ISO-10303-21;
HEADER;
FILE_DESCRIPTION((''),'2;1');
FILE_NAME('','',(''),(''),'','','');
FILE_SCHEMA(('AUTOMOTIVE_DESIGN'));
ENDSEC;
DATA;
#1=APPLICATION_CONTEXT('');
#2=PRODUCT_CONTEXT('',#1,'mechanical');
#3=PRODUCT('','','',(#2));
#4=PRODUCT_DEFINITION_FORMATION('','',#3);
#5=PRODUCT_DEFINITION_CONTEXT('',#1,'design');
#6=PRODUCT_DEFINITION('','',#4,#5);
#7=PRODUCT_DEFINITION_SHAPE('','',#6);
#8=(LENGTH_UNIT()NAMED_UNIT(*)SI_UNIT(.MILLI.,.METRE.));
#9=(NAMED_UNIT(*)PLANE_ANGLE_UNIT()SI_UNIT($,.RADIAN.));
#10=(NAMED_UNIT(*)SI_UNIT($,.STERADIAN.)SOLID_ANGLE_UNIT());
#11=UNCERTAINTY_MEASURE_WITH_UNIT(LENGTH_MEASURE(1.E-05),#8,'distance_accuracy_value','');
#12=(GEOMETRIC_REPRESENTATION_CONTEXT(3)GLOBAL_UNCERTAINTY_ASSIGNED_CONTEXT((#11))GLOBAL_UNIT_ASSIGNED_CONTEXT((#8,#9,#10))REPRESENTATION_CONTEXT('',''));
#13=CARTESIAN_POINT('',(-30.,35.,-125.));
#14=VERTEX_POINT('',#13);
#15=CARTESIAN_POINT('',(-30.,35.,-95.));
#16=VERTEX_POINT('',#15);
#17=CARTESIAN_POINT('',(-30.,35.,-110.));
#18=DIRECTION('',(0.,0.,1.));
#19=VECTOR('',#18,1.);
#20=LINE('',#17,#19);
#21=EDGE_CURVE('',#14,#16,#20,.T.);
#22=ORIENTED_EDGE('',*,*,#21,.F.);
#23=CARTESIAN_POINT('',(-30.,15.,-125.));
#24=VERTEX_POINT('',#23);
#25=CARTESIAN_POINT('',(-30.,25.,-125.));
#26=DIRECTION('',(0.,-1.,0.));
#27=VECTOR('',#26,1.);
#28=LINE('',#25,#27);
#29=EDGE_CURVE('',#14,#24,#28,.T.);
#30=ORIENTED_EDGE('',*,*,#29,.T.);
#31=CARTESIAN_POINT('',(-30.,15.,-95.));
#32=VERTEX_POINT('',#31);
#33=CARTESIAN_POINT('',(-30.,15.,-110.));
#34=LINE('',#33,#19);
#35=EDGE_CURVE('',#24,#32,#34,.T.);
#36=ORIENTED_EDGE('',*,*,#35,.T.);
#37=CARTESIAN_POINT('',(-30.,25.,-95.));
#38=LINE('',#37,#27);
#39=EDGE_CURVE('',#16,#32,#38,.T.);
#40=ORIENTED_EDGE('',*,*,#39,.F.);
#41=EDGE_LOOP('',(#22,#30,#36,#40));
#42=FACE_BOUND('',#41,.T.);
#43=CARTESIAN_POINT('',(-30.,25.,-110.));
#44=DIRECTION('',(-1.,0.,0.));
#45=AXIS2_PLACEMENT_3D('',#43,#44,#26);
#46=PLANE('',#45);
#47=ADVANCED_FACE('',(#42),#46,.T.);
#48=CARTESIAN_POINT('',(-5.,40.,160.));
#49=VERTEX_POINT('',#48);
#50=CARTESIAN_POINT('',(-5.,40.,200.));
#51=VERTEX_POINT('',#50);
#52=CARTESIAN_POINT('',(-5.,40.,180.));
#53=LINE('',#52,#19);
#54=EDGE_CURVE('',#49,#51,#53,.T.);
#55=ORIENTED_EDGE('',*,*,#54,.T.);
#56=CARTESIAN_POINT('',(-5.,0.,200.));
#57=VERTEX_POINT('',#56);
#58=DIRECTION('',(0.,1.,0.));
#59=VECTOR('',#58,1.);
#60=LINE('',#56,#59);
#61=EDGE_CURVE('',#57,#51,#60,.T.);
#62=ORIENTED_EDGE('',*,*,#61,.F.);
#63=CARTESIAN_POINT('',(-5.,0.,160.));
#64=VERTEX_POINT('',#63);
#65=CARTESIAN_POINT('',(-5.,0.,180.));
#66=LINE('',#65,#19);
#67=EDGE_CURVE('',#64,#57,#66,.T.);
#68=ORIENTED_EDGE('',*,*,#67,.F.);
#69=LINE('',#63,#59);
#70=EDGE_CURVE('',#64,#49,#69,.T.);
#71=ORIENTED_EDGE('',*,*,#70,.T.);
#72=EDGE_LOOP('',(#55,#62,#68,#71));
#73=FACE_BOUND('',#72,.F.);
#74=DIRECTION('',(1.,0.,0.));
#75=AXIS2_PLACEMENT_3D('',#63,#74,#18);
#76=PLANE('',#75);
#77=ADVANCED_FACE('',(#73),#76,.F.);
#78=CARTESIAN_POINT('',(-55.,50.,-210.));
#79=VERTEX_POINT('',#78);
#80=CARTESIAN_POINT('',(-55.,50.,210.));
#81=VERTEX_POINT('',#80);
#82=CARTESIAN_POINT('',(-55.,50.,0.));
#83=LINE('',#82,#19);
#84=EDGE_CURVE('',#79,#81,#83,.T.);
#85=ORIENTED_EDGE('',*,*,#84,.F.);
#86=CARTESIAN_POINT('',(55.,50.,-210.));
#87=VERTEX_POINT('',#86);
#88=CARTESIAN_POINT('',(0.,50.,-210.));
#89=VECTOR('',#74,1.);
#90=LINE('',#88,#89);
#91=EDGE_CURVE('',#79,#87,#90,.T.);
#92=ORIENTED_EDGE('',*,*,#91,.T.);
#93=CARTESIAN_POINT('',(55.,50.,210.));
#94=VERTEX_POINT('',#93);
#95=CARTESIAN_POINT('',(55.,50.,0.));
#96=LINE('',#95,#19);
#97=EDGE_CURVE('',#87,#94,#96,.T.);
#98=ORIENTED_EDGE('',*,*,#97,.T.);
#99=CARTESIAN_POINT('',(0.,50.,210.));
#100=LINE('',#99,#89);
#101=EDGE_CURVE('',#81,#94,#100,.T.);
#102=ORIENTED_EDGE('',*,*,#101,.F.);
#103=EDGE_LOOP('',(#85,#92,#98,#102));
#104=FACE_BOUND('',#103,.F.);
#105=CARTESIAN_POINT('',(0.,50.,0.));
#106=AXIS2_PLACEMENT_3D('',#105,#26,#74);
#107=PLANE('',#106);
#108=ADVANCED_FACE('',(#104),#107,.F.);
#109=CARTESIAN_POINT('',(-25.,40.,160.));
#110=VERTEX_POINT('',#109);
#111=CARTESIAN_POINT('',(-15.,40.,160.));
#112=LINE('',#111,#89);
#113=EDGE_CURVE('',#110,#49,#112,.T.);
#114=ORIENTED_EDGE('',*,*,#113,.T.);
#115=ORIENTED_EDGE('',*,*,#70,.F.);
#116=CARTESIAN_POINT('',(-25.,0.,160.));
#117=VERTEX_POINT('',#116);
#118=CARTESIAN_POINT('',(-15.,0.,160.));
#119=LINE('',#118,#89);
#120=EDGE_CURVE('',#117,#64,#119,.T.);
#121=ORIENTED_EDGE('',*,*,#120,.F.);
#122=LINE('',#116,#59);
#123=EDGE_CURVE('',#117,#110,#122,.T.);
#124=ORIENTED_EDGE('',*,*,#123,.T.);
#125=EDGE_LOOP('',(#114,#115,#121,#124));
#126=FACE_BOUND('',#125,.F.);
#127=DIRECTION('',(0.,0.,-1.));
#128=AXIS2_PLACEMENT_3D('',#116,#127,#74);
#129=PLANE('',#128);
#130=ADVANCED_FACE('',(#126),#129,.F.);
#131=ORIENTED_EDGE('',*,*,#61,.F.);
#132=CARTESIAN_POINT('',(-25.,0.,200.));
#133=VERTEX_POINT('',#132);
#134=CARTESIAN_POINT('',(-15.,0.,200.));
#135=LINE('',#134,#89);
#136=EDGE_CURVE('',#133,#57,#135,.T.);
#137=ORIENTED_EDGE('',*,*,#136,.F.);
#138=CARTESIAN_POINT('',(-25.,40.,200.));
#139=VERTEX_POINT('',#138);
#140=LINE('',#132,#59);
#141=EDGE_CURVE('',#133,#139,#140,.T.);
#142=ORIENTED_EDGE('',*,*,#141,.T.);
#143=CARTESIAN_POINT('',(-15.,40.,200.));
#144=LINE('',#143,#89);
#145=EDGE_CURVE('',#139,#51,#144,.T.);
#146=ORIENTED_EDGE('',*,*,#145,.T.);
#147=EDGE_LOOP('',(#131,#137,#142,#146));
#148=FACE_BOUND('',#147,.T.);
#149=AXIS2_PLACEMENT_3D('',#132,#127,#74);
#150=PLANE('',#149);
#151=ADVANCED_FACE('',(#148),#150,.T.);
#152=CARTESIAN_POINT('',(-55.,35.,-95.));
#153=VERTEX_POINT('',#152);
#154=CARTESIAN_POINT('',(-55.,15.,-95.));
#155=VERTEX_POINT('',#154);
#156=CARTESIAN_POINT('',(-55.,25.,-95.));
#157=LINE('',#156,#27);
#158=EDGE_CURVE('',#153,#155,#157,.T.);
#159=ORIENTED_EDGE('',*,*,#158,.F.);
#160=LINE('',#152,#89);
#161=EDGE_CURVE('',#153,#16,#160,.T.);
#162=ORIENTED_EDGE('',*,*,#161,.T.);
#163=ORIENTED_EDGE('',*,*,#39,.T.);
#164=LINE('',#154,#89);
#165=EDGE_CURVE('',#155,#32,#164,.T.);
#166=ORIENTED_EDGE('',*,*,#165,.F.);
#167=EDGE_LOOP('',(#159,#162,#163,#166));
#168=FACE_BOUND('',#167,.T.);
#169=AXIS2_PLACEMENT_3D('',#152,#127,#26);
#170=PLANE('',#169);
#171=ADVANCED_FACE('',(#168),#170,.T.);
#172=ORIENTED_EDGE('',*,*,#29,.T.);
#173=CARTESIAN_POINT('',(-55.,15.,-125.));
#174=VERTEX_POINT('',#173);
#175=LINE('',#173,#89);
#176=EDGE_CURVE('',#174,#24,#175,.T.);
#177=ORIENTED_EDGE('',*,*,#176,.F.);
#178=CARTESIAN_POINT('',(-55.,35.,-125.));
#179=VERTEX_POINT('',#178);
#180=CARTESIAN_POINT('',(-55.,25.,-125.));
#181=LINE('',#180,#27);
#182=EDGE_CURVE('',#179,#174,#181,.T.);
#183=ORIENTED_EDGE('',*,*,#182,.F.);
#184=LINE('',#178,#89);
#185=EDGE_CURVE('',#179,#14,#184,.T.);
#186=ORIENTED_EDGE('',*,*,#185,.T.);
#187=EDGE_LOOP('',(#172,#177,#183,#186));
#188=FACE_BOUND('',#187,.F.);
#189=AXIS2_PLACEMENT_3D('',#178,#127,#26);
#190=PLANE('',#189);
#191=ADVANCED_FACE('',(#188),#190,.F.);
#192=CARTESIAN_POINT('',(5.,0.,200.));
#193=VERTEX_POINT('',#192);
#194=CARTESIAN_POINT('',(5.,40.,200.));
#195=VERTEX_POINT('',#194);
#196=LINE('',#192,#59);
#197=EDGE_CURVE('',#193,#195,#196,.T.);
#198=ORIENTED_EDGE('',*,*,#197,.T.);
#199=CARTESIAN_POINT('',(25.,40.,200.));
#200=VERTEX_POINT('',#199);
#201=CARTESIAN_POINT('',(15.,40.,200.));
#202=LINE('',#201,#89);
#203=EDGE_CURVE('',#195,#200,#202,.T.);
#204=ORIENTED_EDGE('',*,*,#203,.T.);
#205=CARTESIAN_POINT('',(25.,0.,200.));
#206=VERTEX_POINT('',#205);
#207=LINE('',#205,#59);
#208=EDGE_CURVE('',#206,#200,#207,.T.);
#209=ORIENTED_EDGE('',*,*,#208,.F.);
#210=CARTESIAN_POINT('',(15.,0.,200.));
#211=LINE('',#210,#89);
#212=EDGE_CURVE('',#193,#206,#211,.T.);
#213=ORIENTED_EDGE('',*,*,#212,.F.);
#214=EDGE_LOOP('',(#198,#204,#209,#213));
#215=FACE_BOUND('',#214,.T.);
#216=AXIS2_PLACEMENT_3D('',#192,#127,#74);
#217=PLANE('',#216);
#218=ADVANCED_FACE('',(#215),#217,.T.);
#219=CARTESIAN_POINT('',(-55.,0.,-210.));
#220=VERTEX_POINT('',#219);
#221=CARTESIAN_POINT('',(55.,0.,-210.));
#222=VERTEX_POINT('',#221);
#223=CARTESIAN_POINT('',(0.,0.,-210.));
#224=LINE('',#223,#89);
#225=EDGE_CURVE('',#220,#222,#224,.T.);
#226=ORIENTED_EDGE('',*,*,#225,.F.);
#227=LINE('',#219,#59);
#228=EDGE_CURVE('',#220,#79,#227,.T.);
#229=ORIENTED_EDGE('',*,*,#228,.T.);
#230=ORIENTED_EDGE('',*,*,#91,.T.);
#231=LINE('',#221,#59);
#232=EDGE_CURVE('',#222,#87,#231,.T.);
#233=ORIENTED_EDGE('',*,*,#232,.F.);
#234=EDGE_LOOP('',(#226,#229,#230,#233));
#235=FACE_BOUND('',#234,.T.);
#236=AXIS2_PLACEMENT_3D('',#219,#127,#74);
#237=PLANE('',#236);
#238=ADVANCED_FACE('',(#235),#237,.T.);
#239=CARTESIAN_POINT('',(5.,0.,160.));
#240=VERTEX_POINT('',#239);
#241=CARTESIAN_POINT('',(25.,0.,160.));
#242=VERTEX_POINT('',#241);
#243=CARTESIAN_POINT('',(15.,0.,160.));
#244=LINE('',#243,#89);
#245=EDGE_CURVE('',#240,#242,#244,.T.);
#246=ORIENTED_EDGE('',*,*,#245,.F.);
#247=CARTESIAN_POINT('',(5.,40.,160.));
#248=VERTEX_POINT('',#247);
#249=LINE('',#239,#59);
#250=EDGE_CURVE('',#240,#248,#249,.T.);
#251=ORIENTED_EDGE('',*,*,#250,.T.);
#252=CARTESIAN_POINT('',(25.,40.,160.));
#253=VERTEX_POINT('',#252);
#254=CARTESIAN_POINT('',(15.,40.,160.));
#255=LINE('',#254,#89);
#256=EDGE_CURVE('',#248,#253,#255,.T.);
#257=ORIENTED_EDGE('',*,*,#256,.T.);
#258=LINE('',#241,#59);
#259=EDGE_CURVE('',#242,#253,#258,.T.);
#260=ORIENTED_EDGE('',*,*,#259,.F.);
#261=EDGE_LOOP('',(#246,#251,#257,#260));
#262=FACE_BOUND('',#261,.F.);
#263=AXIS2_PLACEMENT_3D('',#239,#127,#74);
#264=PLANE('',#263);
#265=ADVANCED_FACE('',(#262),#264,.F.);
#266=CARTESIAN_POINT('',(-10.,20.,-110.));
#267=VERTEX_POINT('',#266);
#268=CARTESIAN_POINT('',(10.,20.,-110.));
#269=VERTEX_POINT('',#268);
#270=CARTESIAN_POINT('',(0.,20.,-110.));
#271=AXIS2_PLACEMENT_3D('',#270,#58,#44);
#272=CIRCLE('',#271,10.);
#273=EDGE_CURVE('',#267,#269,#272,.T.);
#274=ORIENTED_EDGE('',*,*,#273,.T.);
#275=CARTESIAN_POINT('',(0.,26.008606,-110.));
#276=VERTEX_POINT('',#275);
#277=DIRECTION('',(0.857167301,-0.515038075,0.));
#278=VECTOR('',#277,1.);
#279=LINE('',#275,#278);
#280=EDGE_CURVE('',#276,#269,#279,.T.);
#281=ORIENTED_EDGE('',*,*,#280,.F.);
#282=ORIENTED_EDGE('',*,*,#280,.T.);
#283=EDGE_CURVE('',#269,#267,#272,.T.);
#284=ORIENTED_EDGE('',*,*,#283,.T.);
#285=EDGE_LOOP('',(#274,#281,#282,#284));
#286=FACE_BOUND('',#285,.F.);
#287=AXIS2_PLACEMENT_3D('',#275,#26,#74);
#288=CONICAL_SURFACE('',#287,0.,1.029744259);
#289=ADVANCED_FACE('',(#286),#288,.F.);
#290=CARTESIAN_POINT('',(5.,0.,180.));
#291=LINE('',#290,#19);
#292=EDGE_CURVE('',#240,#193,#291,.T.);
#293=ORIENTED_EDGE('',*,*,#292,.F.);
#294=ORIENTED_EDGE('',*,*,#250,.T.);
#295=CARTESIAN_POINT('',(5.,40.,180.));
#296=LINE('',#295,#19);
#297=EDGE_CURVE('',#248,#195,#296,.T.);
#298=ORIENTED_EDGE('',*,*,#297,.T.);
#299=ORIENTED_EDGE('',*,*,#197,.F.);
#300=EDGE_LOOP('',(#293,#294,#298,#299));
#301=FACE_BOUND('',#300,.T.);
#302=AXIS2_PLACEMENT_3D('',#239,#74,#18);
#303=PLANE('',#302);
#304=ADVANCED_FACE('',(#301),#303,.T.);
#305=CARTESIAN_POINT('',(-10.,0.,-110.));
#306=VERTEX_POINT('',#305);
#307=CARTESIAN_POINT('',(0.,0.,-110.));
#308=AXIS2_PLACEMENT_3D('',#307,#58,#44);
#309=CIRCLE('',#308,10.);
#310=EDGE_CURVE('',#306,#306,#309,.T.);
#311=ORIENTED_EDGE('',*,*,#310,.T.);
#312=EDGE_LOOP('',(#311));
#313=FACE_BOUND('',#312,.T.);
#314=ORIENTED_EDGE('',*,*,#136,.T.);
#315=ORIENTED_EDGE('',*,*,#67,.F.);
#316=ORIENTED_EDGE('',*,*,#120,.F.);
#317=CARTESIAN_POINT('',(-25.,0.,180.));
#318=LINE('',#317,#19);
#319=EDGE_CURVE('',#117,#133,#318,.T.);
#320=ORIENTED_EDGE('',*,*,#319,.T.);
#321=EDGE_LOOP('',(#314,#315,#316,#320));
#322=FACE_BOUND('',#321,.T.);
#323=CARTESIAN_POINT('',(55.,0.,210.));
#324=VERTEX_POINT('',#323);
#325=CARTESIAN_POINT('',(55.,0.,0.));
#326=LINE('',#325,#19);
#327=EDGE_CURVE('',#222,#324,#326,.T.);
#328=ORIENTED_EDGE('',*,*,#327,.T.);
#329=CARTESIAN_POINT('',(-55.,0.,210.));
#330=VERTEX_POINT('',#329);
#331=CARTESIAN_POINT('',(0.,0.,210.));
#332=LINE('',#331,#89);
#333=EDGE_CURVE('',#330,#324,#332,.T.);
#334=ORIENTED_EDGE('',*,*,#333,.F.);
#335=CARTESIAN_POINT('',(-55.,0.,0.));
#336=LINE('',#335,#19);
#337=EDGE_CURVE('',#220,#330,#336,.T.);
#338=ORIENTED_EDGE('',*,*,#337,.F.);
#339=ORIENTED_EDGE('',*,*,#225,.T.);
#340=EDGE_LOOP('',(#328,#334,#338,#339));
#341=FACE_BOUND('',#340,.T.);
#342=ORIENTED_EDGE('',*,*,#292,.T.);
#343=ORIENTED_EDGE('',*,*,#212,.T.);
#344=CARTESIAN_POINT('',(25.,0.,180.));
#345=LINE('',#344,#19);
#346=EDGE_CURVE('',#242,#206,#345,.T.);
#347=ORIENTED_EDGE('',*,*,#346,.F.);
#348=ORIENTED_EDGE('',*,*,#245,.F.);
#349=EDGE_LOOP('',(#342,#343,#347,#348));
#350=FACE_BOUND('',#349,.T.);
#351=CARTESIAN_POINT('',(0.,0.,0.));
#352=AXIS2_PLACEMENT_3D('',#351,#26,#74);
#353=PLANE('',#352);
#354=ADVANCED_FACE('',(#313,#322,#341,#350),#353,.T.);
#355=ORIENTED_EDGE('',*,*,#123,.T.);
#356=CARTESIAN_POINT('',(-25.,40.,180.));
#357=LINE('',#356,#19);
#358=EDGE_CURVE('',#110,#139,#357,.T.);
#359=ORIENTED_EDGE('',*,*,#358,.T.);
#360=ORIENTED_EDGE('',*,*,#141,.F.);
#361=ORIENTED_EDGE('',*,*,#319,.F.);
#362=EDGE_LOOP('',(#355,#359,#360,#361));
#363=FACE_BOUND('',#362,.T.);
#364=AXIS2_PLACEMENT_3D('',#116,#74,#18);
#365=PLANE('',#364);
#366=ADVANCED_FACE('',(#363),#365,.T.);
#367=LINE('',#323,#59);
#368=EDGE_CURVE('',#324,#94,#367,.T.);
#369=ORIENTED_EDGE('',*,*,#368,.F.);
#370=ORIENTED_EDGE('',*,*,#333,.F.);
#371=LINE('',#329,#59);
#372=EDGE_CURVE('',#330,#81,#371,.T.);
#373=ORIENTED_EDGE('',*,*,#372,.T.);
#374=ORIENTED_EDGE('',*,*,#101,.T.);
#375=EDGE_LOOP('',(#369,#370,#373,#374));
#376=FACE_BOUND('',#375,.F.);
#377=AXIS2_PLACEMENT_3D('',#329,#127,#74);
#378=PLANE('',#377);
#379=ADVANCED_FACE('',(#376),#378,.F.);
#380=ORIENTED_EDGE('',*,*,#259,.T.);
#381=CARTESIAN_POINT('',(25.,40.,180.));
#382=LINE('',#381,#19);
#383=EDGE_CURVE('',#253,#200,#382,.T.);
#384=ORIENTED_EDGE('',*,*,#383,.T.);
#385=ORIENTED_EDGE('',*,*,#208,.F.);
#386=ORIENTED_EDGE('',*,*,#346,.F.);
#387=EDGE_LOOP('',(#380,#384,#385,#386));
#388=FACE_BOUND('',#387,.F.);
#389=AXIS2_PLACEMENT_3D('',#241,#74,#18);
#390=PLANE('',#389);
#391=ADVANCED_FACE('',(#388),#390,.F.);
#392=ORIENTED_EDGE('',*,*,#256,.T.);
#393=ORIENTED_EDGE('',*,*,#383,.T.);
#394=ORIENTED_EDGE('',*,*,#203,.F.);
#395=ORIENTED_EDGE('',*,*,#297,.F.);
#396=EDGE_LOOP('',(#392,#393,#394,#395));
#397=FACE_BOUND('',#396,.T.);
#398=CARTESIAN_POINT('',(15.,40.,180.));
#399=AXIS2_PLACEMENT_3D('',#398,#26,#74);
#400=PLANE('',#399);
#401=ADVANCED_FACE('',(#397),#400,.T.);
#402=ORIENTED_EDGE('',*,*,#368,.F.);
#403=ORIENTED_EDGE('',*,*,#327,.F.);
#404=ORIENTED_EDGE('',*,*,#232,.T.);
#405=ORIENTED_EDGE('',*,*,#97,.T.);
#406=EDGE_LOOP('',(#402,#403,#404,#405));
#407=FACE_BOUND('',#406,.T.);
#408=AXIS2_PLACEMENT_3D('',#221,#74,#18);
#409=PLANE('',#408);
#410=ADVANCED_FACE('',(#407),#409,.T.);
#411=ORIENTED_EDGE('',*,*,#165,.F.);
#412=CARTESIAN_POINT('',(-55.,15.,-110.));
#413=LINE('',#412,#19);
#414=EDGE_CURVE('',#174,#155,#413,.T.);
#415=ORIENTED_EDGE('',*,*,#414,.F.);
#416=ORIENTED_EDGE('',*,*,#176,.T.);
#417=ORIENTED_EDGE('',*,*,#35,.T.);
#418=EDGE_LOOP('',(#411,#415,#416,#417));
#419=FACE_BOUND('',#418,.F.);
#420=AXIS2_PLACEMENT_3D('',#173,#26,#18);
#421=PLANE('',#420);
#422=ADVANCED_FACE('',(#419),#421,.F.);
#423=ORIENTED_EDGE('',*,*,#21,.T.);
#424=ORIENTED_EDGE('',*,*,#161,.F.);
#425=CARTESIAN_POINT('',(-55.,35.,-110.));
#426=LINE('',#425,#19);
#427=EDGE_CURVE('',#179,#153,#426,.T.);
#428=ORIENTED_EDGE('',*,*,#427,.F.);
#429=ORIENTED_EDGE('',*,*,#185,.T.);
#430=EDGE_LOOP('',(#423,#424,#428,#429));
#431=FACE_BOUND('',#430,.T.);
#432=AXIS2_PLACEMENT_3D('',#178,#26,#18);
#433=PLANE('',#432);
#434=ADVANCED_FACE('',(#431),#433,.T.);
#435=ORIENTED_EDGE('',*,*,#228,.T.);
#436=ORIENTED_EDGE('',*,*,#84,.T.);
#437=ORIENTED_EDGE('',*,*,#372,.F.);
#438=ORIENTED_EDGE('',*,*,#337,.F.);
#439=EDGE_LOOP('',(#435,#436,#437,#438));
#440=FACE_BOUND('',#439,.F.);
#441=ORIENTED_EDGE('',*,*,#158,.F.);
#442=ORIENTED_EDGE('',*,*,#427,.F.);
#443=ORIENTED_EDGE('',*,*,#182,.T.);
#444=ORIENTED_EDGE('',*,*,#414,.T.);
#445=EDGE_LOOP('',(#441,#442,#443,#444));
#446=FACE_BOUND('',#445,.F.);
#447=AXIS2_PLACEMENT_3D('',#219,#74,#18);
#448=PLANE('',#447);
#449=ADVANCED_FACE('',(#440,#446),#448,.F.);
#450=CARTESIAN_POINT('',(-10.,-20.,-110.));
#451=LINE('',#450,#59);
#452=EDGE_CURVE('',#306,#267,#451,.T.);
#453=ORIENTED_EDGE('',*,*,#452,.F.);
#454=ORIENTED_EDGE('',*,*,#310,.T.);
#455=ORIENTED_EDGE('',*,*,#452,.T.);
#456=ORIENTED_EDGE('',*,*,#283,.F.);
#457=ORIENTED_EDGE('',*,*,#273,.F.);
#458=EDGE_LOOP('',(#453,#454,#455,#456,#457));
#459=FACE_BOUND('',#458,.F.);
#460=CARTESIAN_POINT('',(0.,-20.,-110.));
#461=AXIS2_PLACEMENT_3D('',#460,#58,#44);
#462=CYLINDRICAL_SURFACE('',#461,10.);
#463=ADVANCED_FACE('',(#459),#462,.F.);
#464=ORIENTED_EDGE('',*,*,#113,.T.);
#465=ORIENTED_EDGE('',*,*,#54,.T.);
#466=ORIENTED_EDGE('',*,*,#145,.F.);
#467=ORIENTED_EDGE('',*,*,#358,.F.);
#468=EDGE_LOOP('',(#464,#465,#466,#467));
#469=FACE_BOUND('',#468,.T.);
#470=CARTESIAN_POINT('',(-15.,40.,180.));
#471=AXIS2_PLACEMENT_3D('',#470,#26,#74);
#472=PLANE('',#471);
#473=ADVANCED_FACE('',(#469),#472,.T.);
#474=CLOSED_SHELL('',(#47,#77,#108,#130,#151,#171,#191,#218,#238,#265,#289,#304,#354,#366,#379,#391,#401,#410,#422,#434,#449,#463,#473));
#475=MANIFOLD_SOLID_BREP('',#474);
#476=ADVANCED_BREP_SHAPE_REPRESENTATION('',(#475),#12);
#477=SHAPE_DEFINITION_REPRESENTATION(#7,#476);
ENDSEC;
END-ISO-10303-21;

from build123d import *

# Parameters (mm, degrees)
F0_W     = 110
F0_H     = 420
F1_DEPTH = 50
F3_D     = 20
F3_DEPTH = 20
F3_TIP   = 6.0086061903
F2_W     = 20
F2_H     = 40
F4_DEPTH = 40
F5_W     = 20
F5_H     = 30
F6_DEPTH = 25


with BuildPart() as f1:
    # F0 (on Front) → F1 (new body)
    with BuildSketch(Plane.XZ):
        Rectangle(F0_W, F0_H)
    extrude(amount=-F1_DEPTH)

    # F3
    with Locations(Plane.XZ):
        with Locations((0, -110)):
            Hole(F3_D / 2, depth=F3_DEPTH)
            with Locations((0, 0, -(F3_DEPTH + F3_TIP / 2))):  # 118° drill point
                Cone(0, F3_D / 2, F3_TIP, mode=Mode.SUBTRACT)

    # F2 (on face) → F4 (cut)
    with BuildSketch(Plane.XZ):
        with Locations((-15, 180)):
            Rectangle(F2_W, F2_H)
        with Locations((15, 180)):
            Rectangle(F2_W, F2_H)
    extrude(amount=-F4_DEPTH, mode=Mode.SUBTRACT)

    # F5 (on face) → F6 (cut)
    with BuildSketch(Plane(origin=(-55, 0, 0), x_dir=(0, -1, 0), z_dir=(-1, 0, 0))):
        with Locations((-25, -110)):
            Rectangle(F5_W, F5_H)
    extrude(amount=-F6_DEPTH, mode=Mode.SUBTRACT)


solid = f1.part
